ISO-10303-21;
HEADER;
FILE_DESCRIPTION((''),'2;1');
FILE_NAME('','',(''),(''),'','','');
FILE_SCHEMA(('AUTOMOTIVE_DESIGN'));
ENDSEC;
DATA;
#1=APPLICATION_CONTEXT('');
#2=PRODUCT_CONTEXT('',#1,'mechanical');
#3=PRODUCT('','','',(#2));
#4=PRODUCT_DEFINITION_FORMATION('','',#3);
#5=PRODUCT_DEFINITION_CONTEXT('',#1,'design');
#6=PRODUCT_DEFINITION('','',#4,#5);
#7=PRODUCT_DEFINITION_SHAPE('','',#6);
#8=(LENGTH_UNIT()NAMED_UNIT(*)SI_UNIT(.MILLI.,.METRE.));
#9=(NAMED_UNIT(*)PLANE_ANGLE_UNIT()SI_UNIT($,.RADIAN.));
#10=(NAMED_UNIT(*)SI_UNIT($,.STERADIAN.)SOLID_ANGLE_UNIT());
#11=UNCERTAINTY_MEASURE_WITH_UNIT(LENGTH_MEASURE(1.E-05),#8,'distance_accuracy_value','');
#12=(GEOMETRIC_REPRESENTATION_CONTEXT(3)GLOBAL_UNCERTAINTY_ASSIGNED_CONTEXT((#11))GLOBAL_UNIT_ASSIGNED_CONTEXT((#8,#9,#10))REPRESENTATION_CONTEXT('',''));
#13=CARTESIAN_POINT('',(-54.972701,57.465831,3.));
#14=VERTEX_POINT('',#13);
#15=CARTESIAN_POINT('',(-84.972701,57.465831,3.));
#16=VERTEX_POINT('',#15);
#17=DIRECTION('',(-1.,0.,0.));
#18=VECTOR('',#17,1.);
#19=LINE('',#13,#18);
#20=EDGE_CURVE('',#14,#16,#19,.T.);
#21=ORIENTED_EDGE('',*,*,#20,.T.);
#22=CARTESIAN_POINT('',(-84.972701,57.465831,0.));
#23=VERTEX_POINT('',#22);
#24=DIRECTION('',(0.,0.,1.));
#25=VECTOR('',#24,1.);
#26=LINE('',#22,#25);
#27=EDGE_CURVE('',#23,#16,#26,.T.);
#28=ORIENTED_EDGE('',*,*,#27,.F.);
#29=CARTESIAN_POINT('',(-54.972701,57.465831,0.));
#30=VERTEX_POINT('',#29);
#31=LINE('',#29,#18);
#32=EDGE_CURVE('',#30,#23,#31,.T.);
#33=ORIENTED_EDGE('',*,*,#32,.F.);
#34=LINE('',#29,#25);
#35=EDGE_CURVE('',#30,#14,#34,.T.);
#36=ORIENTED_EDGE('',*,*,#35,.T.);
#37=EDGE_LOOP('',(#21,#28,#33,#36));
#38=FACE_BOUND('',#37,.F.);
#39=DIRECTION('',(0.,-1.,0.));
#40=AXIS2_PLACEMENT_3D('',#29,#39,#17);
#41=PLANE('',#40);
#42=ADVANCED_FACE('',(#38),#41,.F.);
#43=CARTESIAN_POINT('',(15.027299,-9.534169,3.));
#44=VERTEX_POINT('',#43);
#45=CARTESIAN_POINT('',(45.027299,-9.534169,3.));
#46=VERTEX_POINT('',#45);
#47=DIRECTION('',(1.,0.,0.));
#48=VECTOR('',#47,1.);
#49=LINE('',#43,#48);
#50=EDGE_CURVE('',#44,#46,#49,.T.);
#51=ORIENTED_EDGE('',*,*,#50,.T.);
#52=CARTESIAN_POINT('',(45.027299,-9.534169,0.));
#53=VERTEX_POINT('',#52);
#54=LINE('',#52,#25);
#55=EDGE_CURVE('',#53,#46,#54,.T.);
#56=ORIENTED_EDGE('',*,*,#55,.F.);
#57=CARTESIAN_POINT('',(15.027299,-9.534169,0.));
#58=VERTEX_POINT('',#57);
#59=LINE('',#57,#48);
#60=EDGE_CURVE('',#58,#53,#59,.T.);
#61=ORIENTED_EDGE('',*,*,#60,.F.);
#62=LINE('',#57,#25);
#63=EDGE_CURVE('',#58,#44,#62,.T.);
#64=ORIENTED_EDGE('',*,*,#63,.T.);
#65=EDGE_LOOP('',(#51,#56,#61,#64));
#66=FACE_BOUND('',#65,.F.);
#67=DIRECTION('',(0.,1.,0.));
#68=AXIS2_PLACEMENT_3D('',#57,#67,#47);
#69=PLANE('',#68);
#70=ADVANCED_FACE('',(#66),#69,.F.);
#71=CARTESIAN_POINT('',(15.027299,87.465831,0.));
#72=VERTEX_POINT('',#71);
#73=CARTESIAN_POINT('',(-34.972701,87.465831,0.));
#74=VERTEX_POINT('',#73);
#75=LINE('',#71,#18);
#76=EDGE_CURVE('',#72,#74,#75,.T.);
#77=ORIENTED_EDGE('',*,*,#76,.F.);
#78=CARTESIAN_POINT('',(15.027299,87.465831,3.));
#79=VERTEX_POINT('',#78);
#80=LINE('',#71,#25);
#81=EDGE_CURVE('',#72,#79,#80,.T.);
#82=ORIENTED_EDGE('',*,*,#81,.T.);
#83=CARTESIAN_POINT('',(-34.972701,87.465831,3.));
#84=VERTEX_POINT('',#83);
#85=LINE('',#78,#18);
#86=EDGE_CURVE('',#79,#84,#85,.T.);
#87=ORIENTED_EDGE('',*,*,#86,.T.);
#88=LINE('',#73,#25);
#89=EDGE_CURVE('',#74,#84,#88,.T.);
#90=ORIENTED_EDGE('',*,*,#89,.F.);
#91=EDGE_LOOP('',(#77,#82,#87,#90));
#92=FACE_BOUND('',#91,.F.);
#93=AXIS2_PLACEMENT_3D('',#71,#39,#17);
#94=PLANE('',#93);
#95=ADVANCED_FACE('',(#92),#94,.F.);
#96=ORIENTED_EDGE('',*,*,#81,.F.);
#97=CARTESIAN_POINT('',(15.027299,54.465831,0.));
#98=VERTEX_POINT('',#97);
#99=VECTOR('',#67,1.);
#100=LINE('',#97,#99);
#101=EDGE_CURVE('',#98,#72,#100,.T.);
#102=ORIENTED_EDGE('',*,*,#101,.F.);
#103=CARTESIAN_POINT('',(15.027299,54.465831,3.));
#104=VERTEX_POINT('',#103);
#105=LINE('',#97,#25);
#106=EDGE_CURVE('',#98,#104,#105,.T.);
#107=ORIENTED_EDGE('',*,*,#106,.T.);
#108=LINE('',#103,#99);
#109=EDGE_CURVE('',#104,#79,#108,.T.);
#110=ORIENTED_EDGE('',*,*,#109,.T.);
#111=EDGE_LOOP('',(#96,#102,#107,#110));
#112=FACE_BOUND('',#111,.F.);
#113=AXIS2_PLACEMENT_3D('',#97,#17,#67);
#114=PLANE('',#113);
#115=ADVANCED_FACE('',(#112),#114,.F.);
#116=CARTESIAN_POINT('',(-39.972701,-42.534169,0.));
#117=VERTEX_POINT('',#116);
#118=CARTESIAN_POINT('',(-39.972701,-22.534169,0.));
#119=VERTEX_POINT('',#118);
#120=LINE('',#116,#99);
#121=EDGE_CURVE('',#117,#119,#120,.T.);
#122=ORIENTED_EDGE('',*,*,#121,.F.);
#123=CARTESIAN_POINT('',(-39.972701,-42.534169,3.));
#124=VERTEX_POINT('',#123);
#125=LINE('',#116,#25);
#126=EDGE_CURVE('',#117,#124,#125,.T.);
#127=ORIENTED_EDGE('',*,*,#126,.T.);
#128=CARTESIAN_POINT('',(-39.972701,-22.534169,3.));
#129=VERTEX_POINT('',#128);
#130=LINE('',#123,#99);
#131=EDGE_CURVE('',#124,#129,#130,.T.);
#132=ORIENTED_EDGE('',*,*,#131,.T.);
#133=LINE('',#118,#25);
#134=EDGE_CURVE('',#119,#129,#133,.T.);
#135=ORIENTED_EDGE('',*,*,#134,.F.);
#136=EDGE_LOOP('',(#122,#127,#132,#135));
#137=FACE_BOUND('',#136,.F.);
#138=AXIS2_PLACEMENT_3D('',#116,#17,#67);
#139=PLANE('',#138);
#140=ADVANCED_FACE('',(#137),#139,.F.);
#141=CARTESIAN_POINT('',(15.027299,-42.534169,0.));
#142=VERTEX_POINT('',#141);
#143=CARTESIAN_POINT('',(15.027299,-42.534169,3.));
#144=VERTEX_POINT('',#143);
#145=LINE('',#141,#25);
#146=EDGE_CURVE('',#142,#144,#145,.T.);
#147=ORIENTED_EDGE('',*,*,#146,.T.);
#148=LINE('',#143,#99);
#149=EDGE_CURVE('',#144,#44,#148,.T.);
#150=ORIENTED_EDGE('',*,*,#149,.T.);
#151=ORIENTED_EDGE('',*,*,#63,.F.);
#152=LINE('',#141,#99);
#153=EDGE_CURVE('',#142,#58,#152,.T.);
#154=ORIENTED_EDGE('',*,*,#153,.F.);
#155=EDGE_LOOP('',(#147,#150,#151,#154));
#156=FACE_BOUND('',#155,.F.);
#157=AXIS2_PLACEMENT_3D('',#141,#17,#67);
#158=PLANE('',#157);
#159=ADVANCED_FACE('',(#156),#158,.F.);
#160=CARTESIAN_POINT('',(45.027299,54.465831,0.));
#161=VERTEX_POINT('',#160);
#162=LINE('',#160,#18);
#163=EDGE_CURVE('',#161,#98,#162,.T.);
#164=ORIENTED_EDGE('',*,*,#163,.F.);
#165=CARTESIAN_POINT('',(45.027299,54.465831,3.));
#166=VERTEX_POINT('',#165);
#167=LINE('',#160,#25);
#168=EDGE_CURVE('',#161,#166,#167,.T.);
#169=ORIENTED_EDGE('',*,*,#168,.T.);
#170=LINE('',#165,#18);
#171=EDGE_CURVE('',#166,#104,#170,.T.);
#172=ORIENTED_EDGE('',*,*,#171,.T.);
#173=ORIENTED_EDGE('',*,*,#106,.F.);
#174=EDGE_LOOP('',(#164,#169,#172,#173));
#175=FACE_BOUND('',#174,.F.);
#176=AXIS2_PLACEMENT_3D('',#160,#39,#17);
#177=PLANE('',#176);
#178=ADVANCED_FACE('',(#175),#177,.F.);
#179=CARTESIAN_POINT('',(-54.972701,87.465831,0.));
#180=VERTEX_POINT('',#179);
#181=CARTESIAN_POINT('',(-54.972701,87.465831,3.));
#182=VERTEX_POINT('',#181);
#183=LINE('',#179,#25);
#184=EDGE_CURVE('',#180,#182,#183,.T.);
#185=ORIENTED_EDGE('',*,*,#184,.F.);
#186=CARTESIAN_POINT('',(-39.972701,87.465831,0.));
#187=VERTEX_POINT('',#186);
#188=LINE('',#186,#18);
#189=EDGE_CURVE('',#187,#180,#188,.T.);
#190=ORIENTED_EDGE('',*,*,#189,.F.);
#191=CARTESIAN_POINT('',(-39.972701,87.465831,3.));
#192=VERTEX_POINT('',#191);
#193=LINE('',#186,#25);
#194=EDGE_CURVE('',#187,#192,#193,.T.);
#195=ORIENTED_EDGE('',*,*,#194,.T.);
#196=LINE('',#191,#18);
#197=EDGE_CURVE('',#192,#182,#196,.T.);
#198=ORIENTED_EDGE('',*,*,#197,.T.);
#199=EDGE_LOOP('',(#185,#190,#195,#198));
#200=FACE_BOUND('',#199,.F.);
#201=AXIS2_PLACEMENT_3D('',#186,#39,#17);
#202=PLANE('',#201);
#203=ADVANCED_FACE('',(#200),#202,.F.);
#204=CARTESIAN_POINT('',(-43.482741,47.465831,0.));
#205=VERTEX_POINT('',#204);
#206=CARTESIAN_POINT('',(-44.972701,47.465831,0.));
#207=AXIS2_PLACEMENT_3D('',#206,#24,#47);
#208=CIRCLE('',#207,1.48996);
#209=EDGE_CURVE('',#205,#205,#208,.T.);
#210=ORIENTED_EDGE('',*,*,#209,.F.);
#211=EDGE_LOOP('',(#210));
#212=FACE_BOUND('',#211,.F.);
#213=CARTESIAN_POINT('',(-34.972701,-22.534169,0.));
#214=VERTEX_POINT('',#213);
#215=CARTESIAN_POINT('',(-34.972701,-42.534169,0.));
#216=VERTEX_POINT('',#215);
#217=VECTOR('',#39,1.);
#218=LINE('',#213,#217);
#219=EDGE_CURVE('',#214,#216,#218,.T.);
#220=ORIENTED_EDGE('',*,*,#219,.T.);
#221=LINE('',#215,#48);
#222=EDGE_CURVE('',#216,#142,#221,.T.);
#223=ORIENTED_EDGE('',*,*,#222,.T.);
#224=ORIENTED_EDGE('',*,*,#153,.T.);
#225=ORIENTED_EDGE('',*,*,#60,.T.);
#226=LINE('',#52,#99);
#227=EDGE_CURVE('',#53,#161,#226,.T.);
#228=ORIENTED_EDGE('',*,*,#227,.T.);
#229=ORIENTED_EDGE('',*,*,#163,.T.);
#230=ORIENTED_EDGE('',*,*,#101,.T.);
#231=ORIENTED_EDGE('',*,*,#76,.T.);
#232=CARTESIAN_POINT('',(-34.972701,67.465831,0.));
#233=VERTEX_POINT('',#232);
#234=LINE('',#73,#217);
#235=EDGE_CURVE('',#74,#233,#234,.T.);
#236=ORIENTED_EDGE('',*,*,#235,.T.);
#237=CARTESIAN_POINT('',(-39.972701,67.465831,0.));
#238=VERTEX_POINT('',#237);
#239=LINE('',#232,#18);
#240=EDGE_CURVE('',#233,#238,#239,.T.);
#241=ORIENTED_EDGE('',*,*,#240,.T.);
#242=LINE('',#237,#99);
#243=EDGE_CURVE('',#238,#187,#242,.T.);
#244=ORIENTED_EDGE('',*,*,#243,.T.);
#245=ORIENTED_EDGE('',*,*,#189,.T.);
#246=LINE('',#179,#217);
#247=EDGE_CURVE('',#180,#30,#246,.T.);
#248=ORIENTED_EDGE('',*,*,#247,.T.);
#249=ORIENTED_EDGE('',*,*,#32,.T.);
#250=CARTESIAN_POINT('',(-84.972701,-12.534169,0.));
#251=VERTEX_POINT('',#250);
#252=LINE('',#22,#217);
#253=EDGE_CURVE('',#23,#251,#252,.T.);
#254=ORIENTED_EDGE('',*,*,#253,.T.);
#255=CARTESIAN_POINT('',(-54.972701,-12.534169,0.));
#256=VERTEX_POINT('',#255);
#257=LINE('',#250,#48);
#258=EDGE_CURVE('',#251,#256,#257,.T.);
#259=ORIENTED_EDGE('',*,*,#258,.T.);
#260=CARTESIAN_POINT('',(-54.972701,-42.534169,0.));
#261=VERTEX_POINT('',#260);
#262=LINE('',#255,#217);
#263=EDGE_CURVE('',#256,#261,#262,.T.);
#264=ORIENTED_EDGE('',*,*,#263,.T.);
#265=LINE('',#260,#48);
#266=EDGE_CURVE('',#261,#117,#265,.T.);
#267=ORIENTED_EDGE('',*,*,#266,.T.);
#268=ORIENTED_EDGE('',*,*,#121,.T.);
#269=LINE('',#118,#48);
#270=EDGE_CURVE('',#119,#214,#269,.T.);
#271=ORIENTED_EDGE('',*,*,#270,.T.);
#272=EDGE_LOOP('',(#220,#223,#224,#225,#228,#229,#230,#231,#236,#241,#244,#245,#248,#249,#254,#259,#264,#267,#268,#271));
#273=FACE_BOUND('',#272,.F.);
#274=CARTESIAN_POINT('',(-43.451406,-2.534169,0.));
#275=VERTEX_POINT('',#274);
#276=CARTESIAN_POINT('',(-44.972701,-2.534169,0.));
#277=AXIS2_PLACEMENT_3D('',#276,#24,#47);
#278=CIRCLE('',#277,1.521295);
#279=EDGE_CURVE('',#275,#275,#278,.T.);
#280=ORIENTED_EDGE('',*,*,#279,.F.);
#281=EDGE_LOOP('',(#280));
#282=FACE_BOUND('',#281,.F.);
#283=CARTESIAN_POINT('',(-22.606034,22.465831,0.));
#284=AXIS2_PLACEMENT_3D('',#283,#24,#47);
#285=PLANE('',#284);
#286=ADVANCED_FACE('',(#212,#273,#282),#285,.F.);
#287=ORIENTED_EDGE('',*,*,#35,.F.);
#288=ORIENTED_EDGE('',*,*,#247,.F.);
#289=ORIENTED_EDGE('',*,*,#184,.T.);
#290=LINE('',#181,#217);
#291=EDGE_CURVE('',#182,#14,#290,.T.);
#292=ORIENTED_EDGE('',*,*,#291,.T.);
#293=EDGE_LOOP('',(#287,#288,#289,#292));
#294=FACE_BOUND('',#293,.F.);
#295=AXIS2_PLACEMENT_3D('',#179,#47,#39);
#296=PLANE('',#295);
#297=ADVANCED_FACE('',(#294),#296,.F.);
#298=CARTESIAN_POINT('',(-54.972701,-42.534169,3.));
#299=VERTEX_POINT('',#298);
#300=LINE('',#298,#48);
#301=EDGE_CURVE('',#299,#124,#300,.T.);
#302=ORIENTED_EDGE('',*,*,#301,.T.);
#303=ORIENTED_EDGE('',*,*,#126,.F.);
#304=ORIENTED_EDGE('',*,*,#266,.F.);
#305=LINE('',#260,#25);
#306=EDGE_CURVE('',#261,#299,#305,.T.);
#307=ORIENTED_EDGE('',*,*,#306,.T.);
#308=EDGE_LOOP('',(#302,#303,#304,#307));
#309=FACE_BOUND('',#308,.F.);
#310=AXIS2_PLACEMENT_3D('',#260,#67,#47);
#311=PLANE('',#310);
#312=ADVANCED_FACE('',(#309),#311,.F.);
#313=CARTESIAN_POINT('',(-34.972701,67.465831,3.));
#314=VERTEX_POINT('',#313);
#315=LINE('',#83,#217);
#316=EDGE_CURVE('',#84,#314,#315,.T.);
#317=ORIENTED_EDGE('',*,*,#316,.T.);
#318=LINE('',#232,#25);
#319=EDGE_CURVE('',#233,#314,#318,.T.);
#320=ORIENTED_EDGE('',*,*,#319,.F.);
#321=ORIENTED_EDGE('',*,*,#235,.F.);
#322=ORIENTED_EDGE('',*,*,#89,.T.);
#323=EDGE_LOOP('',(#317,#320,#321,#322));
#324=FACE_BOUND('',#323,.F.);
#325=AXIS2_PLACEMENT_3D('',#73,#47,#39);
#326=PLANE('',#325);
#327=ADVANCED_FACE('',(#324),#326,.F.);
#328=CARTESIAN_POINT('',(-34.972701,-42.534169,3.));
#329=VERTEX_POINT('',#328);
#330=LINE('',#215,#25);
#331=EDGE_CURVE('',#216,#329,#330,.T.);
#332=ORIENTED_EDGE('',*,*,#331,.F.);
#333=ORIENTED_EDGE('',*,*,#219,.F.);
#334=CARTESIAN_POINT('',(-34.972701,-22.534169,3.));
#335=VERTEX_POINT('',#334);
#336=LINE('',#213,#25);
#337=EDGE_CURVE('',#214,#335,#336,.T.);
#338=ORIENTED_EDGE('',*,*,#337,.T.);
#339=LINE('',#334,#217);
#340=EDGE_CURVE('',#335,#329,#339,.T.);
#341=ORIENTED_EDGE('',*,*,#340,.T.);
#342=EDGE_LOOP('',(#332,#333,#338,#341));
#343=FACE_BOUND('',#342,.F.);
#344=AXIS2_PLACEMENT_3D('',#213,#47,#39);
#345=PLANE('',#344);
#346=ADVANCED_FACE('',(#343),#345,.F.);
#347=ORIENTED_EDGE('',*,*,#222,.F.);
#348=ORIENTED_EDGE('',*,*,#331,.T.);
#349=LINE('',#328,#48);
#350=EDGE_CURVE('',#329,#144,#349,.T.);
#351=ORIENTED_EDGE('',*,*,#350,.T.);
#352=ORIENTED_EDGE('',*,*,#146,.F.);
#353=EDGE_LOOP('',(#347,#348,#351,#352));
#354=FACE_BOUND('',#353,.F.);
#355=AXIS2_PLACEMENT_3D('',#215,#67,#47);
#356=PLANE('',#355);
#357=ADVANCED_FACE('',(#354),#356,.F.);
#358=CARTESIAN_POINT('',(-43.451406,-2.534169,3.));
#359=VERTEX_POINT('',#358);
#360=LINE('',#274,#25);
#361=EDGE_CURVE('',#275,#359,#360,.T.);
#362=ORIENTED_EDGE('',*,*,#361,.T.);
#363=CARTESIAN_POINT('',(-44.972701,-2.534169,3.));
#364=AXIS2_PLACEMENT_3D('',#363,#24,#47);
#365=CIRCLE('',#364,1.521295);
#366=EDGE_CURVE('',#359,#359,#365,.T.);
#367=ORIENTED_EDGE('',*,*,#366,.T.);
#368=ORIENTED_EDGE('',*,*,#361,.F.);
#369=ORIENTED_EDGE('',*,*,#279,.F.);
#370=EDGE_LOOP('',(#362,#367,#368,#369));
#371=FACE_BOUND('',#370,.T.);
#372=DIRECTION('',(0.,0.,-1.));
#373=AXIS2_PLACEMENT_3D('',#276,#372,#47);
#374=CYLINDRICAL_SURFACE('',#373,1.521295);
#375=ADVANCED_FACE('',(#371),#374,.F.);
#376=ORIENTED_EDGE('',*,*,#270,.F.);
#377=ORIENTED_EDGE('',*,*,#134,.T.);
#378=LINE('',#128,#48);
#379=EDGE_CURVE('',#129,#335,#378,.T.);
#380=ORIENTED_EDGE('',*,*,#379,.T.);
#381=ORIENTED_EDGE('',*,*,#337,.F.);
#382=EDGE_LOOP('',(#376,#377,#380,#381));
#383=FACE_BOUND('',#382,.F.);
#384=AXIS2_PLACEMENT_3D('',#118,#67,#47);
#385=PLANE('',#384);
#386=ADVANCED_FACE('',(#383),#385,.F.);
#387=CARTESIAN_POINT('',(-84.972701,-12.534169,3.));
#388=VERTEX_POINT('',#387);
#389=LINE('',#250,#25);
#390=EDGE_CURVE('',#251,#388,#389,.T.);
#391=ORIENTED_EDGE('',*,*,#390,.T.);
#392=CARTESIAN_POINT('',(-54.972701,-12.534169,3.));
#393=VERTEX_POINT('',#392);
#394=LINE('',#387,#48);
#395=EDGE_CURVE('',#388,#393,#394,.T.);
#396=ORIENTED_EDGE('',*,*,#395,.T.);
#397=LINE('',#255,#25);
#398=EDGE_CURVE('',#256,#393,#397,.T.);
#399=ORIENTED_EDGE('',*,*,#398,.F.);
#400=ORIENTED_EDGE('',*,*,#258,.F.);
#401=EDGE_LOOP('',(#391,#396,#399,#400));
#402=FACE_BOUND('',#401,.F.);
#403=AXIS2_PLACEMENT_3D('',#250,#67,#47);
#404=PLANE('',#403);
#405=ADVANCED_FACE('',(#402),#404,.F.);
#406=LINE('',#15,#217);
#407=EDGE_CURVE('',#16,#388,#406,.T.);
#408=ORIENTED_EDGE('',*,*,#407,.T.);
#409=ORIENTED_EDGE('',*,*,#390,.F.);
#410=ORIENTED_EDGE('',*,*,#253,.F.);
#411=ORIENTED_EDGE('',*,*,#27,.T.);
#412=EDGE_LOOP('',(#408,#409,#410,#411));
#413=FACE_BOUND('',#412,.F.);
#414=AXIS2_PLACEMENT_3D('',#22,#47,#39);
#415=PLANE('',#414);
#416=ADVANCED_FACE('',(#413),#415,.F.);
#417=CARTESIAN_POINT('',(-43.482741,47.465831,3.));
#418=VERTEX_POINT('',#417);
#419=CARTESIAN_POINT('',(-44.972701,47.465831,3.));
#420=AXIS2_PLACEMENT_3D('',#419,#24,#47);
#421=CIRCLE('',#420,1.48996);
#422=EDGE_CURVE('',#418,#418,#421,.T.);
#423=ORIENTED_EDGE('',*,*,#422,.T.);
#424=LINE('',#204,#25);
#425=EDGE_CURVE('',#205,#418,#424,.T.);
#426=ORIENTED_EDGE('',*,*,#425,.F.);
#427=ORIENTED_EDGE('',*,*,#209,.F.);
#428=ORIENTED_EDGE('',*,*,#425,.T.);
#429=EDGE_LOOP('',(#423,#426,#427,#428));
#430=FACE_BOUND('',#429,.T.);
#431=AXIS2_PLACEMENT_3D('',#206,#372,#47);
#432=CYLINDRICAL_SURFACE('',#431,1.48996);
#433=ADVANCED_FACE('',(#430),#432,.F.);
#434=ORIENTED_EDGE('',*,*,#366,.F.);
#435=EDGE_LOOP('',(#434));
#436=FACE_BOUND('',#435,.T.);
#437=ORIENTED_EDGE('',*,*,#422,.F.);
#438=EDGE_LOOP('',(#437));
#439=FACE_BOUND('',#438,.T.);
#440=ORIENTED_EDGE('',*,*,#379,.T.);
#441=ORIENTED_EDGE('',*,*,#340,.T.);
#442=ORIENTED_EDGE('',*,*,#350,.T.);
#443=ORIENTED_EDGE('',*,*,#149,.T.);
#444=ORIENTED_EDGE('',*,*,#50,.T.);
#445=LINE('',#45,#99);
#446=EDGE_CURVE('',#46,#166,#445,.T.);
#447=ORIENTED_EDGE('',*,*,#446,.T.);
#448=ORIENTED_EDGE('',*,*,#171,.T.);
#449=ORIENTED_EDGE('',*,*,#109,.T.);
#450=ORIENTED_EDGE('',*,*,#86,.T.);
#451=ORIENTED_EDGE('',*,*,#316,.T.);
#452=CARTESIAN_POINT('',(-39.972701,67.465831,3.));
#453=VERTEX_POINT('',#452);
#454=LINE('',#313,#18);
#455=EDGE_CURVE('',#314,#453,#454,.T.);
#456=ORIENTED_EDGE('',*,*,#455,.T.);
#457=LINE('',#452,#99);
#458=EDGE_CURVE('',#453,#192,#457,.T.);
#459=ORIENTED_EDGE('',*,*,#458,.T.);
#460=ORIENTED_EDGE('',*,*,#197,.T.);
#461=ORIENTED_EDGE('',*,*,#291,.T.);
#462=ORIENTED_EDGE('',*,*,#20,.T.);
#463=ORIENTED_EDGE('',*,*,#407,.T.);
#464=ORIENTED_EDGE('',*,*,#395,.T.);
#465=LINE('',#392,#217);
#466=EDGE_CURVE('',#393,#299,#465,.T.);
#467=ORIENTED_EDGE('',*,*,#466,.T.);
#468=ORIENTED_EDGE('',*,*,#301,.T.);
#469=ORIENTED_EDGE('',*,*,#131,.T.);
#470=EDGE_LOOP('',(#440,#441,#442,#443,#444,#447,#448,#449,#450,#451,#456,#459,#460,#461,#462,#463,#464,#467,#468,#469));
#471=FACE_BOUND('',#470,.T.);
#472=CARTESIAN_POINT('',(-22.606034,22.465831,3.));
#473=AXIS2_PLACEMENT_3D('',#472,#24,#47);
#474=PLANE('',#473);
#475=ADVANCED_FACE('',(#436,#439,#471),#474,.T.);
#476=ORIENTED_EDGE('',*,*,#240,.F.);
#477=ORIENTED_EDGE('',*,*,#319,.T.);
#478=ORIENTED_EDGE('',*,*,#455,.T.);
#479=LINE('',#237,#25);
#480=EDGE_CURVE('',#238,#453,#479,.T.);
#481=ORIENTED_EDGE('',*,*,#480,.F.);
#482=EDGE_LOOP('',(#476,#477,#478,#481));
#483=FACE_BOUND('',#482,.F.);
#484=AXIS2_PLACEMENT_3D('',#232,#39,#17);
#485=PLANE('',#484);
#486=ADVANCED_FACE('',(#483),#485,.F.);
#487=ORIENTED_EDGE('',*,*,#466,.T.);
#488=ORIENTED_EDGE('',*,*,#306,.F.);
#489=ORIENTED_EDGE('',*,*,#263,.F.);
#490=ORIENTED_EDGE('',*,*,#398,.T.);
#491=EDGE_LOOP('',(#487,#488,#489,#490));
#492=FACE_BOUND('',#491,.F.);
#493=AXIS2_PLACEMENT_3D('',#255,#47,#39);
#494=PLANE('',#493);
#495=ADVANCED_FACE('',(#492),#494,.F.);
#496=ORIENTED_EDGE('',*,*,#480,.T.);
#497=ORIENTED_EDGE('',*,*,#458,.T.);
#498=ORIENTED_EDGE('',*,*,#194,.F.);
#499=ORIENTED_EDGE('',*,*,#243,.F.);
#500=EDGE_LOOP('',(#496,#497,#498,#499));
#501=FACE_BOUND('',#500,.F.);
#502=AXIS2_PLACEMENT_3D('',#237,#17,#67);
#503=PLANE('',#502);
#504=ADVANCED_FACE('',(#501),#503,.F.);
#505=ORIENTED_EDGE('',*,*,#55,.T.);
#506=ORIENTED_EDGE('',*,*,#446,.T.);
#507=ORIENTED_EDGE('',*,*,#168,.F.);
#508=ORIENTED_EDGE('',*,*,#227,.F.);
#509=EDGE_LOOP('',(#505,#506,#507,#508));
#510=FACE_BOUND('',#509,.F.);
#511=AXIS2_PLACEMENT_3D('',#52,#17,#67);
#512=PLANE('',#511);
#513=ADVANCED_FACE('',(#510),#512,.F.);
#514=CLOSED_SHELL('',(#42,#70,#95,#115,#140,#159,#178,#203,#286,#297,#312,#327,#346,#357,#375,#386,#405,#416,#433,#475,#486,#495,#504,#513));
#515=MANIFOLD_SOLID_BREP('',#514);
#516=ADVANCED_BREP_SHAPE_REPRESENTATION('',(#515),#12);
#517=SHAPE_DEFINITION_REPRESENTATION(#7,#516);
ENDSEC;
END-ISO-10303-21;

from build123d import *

# Parameters (mm, degrees)
F0_R     = 1.521295
F0_R_2   = 1.48996
F1_DEPTH = 3


with BuildPart() as f1:
    # F0 (on Top) → F1 (new body)
    with BuildSketch(Plane.XY):
        Polygon((-39.972701, 87.465831), (-54.972701, 87.465831), (-54.972701, 57.465831), (-84.972701, 57.465831), (-84.972701, -12.534169), (-54.972701, -12.534169), (-54.972701, -42.534169), (-39.972701, -42.534169), (-39.972701, -22.534169), (-34.972701, -22.534169), (-34.972701, -42.534169), (15.027299, -42.534169), (15.027299, -9.534169), (45.027299, -9.534169), (45.027299, 54.465831), (15.027299, 54.465831), (15.027299, 87.465831), (-34.972701, 87.465831), (-34.972701, 67.465831), (-39.972701, 67.465831), align=None)
        with Locations((-44.972701, -2.534169)):
            Circle(F0_R, mode=Mode.SUBTRACT)
        with Locations((-44.972701, 47.465831)):
            Circle(F0_R_2, mode=Mode.SUBTRACT)
    extrude(amount=F1_DEPTH)


solid = f1.part
